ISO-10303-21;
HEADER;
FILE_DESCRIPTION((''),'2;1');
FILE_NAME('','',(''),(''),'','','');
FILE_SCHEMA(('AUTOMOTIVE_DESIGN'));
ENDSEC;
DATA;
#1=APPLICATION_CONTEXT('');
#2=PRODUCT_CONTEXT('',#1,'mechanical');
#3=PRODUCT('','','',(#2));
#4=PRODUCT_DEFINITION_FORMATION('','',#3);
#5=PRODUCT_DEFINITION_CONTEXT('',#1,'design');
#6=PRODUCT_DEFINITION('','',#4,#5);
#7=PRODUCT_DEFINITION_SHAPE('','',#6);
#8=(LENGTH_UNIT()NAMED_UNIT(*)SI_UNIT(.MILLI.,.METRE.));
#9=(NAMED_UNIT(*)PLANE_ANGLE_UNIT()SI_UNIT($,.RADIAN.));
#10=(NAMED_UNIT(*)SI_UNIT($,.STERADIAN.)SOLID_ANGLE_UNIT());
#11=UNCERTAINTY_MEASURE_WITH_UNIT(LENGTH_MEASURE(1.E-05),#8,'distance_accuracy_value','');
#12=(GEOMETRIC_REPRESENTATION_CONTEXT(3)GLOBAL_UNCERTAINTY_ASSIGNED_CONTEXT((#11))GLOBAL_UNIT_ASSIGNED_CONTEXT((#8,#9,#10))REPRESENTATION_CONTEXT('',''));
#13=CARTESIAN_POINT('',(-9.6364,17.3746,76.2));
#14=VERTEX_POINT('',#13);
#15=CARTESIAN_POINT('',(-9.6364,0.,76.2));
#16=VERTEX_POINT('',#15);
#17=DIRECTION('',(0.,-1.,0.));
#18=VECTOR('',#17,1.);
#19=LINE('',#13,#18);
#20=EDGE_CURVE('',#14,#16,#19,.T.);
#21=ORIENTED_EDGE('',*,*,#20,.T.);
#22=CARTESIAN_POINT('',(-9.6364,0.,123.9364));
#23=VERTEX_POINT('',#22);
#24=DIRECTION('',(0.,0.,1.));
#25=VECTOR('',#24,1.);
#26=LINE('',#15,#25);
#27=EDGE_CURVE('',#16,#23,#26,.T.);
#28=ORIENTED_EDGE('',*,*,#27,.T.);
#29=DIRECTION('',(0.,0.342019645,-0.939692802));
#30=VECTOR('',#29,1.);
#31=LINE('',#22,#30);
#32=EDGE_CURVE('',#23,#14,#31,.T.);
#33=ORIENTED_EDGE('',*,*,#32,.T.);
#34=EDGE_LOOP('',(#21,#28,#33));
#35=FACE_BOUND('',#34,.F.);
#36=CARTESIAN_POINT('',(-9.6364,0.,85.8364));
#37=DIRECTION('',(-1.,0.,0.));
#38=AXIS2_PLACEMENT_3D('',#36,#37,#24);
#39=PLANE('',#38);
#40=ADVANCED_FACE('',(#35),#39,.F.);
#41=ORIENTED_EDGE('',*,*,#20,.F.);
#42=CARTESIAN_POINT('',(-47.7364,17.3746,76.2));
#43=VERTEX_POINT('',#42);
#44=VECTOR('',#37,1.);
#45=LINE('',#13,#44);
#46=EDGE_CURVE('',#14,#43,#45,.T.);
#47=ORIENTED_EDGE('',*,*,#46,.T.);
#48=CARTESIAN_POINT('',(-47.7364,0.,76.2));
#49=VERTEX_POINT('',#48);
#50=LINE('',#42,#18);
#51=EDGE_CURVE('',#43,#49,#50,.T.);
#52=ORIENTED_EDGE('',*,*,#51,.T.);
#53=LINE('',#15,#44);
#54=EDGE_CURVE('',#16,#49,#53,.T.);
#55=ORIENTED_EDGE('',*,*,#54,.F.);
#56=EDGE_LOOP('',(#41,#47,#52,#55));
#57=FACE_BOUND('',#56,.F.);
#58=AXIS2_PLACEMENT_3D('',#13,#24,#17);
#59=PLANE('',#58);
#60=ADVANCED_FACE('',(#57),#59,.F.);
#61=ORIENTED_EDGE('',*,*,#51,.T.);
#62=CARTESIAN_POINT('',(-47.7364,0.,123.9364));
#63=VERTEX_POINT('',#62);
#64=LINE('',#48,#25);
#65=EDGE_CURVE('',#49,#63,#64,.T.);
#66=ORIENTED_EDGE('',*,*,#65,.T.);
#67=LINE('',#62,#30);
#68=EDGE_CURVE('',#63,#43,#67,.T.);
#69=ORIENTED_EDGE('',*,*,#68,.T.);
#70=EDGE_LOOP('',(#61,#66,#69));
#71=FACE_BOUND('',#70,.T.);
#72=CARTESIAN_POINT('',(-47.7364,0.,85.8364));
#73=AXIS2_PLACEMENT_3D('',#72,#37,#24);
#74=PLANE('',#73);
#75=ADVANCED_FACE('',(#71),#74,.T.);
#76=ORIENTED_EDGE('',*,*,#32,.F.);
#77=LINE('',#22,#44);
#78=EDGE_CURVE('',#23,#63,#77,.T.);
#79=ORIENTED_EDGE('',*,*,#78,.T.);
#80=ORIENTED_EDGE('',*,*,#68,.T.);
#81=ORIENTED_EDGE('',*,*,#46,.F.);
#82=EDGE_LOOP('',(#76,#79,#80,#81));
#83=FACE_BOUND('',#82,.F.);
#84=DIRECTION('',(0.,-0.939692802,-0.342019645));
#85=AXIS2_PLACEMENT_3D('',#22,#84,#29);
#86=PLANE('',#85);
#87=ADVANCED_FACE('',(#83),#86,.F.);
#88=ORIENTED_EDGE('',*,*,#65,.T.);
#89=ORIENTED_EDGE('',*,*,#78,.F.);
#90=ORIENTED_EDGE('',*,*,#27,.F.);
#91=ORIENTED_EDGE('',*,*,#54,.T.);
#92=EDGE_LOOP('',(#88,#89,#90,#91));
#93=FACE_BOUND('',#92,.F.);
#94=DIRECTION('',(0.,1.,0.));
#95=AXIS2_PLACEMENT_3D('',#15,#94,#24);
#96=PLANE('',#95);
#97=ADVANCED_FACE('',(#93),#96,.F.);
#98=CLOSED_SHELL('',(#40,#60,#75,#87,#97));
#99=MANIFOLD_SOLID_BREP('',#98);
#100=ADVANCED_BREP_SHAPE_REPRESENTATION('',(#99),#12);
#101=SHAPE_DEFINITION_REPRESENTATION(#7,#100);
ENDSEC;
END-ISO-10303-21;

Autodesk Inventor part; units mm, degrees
ref_plane "YZ Plane" through (0, 0, 0) normal (1, 0, 0) x (0, 1, 0)
ref_plane "XZ Plane" through (0, 0, 0) normal (0, 1, 0) x (-1, 0, 0)
ref_plane "XY Plane" through (0, 0, 0) normal (0, 0, 1) x (1, 0, 0)
sketch "Sketch1" plane through (0, 0, 0) normal (0, 0, 1) x (1, 0, 0)
  line L0 (38.1, 0) -> (-9.6364, 17.3746)
  line L1 (-9.6364, 17.3746) -> (-9.6364, 0)
  line L2 (-9.6364, 0) -> (38.1, 0)
  point P0 (0, 0)
  dimension "d2" = 50.8
  dimension "d4" = 70
extrude "Extrusion1" add sketch "Sketch1" along normal blind 38.1
move or copy body "Move Body1" bodies to move or copy 1 copy no rotation origin (0, 0, 0) rotation axis (0, 1, 0) rotation angle -180 translate (-19.2728, 0, 76.2)
move or copy body "Move Body2" bodies to move or copy 1 copy no rotation origin (0, 0, 0) rotation axis (0, 1, 0) rotation angle 90 translate (-85.8364, 0, 66.5636)
properties part number "70DegreeWoodHinge" material "Wood (Birch)"
